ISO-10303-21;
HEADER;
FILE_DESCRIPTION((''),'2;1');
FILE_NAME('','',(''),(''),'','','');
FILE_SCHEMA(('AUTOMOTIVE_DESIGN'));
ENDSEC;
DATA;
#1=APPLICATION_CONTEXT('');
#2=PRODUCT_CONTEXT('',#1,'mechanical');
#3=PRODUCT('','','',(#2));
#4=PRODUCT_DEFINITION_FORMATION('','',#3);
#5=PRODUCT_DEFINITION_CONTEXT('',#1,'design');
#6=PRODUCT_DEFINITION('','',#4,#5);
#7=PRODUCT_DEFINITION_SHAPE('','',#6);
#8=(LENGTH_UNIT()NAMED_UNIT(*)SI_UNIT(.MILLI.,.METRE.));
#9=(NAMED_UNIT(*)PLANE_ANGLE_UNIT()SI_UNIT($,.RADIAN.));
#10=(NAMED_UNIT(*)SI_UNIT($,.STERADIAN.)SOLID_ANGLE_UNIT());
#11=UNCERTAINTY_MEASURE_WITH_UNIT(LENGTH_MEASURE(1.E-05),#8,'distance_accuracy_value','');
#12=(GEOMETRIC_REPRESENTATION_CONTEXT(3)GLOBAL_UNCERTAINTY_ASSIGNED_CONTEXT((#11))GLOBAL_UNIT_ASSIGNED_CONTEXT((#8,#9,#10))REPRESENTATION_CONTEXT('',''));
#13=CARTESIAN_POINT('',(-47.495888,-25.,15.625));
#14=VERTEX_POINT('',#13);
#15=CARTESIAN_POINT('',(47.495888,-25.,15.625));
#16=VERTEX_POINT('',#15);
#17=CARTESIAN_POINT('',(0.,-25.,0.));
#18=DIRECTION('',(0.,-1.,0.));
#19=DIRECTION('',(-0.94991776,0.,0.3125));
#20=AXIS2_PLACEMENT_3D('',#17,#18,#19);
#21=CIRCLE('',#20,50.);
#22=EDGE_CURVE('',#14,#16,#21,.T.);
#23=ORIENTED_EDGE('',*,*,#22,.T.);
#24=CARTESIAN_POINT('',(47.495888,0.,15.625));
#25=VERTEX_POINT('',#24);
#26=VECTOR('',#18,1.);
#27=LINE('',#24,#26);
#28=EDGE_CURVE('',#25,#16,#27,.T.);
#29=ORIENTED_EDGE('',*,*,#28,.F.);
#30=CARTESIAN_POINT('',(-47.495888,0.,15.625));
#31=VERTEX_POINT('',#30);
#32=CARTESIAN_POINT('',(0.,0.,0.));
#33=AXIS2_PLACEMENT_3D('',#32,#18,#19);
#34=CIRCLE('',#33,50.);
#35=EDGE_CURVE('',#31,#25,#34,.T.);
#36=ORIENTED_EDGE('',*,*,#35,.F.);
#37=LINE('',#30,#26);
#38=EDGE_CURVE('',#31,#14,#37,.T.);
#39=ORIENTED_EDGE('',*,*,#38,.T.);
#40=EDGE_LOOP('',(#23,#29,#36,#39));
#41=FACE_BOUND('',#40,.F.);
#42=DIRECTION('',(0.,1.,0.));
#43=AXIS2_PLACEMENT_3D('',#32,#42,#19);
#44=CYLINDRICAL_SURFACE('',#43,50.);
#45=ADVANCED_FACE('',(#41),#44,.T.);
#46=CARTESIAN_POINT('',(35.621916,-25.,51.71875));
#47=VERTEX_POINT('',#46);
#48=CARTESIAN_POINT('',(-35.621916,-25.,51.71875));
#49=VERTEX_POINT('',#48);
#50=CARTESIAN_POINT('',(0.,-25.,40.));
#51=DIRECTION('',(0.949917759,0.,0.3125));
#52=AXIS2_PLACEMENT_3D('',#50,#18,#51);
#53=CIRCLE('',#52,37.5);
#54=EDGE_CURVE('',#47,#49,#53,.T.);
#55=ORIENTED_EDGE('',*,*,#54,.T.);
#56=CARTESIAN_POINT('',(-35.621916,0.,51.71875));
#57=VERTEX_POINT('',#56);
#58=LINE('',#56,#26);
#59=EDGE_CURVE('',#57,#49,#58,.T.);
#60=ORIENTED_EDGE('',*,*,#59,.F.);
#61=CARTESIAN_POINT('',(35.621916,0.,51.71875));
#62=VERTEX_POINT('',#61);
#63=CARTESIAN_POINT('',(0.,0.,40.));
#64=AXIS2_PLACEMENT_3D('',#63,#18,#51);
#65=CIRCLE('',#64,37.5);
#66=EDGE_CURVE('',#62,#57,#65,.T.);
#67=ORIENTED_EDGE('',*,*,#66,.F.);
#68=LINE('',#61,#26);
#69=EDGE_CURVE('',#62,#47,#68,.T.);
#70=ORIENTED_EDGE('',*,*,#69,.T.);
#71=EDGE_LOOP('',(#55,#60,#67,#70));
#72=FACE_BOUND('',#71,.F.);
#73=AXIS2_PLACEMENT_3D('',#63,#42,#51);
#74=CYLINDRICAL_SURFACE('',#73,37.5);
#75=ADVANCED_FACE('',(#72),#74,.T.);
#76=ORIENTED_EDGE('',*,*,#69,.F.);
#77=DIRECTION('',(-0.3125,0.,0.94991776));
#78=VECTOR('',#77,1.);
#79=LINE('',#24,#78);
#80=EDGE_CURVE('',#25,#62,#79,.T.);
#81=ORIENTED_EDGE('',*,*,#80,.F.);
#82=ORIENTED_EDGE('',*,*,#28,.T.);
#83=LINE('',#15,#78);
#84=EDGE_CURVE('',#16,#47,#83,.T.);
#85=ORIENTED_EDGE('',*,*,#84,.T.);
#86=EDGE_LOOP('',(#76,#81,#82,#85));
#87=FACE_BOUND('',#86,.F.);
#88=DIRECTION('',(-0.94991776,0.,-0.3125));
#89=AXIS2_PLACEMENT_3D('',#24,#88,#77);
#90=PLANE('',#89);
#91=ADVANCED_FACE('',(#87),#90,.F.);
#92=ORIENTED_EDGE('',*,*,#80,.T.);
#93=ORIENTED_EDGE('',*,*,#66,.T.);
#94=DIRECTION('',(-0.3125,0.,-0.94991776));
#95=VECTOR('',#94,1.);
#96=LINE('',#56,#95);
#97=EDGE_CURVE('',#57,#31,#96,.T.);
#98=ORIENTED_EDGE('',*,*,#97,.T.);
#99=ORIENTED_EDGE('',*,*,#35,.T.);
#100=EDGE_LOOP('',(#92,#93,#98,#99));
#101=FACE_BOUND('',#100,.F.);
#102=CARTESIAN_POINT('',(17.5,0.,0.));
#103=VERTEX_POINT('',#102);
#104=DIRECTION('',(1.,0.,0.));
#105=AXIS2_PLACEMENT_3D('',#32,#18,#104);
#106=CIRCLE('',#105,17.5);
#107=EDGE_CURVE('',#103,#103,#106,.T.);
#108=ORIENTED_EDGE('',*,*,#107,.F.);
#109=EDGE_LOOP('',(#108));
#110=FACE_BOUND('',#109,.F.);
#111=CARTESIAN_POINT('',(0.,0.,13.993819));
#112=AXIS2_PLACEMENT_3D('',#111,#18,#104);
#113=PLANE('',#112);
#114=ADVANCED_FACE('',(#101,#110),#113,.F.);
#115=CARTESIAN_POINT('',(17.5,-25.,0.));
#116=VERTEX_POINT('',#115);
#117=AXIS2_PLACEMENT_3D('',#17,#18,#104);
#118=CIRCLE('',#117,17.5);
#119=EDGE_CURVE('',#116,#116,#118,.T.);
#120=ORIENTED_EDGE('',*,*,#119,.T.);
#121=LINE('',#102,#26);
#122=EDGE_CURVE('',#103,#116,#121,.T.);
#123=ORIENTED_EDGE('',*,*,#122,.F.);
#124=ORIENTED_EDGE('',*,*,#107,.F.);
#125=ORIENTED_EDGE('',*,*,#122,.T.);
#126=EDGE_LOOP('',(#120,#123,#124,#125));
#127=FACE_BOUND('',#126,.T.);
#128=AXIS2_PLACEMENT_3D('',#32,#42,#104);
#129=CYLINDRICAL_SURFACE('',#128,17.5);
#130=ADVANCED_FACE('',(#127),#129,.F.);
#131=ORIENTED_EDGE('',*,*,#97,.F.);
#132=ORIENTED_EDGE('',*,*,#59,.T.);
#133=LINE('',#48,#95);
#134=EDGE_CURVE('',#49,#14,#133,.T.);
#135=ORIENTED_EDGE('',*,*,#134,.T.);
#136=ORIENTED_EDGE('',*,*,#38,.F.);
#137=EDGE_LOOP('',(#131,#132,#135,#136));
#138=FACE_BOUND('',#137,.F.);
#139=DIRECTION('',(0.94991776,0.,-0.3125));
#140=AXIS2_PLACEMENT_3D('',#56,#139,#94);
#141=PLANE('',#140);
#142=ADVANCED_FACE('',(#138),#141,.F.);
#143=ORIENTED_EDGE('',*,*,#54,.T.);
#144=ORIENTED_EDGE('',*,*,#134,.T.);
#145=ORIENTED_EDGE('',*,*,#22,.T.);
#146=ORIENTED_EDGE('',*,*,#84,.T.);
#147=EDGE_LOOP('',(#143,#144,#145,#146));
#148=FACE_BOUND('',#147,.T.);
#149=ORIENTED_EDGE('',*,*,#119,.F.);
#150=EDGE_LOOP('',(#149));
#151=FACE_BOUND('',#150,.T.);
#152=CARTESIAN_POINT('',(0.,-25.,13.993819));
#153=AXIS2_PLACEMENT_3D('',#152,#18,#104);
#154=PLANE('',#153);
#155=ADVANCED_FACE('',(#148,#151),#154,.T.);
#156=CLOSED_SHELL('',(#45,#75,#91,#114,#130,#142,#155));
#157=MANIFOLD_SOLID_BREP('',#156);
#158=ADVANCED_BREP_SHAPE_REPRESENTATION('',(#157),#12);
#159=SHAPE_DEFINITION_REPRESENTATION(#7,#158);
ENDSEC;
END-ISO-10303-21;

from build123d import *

# Parameters (mm, degrees)
F0_R     = 17.5
F1_DEPTH = 25


with BuildPart() as f1:
    # F0 (on Front) → F1 (new body)
    with BuildSketch(Plane.XZ):
        with BuildLine():
            Line((47.495888, 15.625), (35.621916, 51.71875))
            ThreePointArc((35.621916, 51.71875), (0, 77.5), (-35.621916, 51.71875))
            Line((-35.621916, 51.71875), (-47.495888, 15.625))
            ThreePointArc((-47.495888, 15.625), (0, -50), (47.495888, 15.625))
        make_face()
        Circle(F0_R, mode=Mode.SUBTRACT)
    extrude(amount=F1_DEPTH)


solid = f1.part
